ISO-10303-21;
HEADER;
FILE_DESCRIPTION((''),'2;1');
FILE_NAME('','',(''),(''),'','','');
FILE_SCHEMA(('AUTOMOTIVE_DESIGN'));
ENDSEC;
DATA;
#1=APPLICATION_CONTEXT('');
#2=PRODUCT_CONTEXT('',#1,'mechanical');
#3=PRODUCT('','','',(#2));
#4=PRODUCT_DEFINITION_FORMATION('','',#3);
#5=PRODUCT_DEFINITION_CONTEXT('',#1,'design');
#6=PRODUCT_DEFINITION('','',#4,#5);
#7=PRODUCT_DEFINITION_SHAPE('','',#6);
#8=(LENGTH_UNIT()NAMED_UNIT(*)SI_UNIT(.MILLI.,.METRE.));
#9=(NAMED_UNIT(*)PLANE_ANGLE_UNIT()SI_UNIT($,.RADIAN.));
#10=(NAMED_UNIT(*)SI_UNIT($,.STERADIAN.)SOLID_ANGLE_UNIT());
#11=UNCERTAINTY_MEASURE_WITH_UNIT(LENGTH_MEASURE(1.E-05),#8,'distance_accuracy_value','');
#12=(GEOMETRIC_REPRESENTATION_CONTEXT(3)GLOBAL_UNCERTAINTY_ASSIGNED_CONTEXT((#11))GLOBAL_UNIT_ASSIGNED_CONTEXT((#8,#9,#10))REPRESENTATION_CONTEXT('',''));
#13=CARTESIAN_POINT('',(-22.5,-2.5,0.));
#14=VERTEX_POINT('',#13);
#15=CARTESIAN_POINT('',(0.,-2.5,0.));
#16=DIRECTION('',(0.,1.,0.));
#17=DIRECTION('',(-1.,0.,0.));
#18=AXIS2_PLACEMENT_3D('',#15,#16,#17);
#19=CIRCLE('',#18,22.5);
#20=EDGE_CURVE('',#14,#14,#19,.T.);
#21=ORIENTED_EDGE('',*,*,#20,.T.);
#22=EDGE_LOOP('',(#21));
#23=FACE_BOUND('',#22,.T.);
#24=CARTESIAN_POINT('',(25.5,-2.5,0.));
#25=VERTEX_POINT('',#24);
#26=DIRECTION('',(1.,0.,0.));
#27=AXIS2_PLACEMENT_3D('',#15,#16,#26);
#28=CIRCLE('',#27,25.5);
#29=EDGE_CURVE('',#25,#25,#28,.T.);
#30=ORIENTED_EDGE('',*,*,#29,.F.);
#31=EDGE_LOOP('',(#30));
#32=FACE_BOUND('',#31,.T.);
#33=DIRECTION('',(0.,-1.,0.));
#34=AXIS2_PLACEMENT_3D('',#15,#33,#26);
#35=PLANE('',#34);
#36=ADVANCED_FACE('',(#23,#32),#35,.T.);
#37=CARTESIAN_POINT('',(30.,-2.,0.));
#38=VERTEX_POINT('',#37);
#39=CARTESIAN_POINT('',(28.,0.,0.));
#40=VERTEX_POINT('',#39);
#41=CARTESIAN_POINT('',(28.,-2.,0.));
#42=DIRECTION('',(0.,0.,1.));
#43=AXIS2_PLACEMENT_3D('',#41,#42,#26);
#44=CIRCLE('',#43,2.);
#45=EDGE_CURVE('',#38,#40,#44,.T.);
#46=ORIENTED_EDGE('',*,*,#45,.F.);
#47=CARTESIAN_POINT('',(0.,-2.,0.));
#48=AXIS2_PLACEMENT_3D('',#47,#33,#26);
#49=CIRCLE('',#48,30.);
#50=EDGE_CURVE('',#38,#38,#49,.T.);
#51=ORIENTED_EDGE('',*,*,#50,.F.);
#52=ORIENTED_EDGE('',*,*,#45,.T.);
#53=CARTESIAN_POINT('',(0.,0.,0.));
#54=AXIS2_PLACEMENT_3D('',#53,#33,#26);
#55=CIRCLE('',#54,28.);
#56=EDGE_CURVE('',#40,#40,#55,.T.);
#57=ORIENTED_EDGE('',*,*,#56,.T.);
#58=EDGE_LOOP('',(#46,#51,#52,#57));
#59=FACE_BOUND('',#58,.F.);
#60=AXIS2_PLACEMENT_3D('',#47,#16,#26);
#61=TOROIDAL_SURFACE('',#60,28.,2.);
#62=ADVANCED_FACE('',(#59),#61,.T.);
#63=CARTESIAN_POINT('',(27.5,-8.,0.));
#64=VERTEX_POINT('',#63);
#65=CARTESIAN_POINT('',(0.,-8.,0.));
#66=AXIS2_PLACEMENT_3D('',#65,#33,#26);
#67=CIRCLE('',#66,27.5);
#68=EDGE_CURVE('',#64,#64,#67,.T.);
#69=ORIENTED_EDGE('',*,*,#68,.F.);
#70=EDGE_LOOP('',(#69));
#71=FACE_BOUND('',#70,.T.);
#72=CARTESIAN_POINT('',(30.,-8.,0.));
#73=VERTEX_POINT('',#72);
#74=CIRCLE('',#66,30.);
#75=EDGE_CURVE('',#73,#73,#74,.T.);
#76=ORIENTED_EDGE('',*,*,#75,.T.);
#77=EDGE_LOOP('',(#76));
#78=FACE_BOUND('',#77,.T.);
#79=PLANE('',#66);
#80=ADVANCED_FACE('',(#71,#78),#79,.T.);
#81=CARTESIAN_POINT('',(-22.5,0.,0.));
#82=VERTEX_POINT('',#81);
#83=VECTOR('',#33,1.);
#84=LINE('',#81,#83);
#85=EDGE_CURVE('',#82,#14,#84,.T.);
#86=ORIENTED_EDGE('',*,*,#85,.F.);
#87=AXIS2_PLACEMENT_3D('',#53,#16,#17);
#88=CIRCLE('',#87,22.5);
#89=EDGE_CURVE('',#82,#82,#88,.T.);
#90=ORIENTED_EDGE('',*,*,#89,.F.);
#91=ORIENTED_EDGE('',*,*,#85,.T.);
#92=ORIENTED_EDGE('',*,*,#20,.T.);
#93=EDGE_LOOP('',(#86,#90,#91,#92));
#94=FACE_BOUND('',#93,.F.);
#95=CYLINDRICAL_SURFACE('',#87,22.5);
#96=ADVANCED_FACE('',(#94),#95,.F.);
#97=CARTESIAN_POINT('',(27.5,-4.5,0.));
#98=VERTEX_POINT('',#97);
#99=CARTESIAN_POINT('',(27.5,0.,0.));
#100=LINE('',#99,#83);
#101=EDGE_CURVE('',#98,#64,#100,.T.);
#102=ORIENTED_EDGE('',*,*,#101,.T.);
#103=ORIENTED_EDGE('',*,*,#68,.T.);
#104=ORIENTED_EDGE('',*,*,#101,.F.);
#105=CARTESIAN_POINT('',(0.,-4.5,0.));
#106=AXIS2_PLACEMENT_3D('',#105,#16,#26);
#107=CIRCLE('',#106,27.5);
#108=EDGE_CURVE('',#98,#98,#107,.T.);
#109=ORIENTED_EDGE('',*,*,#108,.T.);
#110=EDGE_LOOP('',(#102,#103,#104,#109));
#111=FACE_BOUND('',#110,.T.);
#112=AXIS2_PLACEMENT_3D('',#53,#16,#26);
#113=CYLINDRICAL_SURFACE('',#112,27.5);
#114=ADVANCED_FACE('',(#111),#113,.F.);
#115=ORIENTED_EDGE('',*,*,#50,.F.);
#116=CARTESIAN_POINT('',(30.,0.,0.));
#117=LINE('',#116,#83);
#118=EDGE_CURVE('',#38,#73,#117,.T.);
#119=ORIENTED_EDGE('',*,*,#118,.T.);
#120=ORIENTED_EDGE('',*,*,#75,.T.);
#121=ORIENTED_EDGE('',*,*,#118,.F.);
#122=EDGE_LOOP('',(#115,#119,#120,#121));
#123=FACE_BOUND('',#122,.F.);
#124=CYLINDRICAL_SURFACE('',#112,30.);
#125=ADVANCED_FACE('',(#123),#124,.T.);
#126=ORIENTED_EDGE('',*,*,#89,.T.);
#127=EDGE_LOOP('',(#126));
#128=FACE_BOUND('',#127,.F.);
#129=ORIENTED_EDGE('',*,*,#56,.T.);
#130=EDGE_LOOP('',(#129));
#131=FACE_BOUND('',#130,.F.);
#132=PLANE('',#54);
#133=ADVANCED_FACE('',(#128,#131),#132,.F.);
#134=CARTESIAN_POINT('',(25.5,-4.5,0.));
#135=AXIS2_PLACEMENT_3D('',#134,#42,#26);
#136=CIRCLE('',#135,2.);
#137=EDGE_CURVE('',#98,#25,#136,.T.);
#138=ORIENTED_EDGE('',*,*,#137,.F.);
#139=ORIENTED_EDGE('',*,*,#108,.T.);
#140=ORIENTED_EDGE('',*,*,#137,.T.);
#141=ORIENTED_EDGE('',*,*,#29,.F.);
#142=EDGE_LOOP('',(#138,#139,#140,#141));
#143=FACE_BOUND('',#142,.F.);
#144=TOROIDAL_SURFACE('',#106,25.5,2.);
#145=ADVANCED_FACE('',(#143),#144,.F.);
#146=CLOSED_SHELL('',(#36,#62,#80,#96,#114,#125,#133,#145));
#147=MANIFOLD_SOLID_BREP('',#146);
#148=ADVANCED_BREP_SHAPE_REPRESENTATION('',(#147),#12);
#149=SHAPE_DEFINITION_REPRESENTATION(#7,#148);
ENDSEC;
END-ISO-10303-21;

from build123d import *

# Parameters (mm, degrees)
F0_R     = 30
F1_DEPTH = 8
F2_T     = -2.5
F3_R     = 22.5
F4_DEPTH = 25
F5_R     = 2
F6_R     = 2


with BuildPart() as f1:
    # F0 (on Front) → F1 (new body)
    with BuildSketch(Plane.XZ):
        Circle(F0_R)
    extrude(amount=F1_DEPTH)

    # F2
    f2_openings = [f1.faces().sort_by_distance(p)[0] for p in [
        (0, -8, 0),
    ]]
    offset(amount=F2_T, openings=f2_openings)

    # F3 (on face) → F4 (cut)
    with BuildSketch(Plane(origin=(0, 0, 0), x_dir=(-1, 0, 0), z_dir=(0, 1, 0))):
        Circle(F3_R)
    extrude(amount=-F4_DEPTH, mode=Mode.SUBTRACT)

    # F5
    f5_edges = [f1.edges().sort_by_distance(p)[0] for p in [
        (-30, 0, 0),
    ]]
    fillet(f5_edges, radius=F5_R)

    # F6
    f6_edges = [f1.edges().sort_by_distance(p)[0] for p in [
        (-27.5, -2.5, 0),
    ]]
    fillet(f6_edges, radius=F6_R)


solid = f1.part
